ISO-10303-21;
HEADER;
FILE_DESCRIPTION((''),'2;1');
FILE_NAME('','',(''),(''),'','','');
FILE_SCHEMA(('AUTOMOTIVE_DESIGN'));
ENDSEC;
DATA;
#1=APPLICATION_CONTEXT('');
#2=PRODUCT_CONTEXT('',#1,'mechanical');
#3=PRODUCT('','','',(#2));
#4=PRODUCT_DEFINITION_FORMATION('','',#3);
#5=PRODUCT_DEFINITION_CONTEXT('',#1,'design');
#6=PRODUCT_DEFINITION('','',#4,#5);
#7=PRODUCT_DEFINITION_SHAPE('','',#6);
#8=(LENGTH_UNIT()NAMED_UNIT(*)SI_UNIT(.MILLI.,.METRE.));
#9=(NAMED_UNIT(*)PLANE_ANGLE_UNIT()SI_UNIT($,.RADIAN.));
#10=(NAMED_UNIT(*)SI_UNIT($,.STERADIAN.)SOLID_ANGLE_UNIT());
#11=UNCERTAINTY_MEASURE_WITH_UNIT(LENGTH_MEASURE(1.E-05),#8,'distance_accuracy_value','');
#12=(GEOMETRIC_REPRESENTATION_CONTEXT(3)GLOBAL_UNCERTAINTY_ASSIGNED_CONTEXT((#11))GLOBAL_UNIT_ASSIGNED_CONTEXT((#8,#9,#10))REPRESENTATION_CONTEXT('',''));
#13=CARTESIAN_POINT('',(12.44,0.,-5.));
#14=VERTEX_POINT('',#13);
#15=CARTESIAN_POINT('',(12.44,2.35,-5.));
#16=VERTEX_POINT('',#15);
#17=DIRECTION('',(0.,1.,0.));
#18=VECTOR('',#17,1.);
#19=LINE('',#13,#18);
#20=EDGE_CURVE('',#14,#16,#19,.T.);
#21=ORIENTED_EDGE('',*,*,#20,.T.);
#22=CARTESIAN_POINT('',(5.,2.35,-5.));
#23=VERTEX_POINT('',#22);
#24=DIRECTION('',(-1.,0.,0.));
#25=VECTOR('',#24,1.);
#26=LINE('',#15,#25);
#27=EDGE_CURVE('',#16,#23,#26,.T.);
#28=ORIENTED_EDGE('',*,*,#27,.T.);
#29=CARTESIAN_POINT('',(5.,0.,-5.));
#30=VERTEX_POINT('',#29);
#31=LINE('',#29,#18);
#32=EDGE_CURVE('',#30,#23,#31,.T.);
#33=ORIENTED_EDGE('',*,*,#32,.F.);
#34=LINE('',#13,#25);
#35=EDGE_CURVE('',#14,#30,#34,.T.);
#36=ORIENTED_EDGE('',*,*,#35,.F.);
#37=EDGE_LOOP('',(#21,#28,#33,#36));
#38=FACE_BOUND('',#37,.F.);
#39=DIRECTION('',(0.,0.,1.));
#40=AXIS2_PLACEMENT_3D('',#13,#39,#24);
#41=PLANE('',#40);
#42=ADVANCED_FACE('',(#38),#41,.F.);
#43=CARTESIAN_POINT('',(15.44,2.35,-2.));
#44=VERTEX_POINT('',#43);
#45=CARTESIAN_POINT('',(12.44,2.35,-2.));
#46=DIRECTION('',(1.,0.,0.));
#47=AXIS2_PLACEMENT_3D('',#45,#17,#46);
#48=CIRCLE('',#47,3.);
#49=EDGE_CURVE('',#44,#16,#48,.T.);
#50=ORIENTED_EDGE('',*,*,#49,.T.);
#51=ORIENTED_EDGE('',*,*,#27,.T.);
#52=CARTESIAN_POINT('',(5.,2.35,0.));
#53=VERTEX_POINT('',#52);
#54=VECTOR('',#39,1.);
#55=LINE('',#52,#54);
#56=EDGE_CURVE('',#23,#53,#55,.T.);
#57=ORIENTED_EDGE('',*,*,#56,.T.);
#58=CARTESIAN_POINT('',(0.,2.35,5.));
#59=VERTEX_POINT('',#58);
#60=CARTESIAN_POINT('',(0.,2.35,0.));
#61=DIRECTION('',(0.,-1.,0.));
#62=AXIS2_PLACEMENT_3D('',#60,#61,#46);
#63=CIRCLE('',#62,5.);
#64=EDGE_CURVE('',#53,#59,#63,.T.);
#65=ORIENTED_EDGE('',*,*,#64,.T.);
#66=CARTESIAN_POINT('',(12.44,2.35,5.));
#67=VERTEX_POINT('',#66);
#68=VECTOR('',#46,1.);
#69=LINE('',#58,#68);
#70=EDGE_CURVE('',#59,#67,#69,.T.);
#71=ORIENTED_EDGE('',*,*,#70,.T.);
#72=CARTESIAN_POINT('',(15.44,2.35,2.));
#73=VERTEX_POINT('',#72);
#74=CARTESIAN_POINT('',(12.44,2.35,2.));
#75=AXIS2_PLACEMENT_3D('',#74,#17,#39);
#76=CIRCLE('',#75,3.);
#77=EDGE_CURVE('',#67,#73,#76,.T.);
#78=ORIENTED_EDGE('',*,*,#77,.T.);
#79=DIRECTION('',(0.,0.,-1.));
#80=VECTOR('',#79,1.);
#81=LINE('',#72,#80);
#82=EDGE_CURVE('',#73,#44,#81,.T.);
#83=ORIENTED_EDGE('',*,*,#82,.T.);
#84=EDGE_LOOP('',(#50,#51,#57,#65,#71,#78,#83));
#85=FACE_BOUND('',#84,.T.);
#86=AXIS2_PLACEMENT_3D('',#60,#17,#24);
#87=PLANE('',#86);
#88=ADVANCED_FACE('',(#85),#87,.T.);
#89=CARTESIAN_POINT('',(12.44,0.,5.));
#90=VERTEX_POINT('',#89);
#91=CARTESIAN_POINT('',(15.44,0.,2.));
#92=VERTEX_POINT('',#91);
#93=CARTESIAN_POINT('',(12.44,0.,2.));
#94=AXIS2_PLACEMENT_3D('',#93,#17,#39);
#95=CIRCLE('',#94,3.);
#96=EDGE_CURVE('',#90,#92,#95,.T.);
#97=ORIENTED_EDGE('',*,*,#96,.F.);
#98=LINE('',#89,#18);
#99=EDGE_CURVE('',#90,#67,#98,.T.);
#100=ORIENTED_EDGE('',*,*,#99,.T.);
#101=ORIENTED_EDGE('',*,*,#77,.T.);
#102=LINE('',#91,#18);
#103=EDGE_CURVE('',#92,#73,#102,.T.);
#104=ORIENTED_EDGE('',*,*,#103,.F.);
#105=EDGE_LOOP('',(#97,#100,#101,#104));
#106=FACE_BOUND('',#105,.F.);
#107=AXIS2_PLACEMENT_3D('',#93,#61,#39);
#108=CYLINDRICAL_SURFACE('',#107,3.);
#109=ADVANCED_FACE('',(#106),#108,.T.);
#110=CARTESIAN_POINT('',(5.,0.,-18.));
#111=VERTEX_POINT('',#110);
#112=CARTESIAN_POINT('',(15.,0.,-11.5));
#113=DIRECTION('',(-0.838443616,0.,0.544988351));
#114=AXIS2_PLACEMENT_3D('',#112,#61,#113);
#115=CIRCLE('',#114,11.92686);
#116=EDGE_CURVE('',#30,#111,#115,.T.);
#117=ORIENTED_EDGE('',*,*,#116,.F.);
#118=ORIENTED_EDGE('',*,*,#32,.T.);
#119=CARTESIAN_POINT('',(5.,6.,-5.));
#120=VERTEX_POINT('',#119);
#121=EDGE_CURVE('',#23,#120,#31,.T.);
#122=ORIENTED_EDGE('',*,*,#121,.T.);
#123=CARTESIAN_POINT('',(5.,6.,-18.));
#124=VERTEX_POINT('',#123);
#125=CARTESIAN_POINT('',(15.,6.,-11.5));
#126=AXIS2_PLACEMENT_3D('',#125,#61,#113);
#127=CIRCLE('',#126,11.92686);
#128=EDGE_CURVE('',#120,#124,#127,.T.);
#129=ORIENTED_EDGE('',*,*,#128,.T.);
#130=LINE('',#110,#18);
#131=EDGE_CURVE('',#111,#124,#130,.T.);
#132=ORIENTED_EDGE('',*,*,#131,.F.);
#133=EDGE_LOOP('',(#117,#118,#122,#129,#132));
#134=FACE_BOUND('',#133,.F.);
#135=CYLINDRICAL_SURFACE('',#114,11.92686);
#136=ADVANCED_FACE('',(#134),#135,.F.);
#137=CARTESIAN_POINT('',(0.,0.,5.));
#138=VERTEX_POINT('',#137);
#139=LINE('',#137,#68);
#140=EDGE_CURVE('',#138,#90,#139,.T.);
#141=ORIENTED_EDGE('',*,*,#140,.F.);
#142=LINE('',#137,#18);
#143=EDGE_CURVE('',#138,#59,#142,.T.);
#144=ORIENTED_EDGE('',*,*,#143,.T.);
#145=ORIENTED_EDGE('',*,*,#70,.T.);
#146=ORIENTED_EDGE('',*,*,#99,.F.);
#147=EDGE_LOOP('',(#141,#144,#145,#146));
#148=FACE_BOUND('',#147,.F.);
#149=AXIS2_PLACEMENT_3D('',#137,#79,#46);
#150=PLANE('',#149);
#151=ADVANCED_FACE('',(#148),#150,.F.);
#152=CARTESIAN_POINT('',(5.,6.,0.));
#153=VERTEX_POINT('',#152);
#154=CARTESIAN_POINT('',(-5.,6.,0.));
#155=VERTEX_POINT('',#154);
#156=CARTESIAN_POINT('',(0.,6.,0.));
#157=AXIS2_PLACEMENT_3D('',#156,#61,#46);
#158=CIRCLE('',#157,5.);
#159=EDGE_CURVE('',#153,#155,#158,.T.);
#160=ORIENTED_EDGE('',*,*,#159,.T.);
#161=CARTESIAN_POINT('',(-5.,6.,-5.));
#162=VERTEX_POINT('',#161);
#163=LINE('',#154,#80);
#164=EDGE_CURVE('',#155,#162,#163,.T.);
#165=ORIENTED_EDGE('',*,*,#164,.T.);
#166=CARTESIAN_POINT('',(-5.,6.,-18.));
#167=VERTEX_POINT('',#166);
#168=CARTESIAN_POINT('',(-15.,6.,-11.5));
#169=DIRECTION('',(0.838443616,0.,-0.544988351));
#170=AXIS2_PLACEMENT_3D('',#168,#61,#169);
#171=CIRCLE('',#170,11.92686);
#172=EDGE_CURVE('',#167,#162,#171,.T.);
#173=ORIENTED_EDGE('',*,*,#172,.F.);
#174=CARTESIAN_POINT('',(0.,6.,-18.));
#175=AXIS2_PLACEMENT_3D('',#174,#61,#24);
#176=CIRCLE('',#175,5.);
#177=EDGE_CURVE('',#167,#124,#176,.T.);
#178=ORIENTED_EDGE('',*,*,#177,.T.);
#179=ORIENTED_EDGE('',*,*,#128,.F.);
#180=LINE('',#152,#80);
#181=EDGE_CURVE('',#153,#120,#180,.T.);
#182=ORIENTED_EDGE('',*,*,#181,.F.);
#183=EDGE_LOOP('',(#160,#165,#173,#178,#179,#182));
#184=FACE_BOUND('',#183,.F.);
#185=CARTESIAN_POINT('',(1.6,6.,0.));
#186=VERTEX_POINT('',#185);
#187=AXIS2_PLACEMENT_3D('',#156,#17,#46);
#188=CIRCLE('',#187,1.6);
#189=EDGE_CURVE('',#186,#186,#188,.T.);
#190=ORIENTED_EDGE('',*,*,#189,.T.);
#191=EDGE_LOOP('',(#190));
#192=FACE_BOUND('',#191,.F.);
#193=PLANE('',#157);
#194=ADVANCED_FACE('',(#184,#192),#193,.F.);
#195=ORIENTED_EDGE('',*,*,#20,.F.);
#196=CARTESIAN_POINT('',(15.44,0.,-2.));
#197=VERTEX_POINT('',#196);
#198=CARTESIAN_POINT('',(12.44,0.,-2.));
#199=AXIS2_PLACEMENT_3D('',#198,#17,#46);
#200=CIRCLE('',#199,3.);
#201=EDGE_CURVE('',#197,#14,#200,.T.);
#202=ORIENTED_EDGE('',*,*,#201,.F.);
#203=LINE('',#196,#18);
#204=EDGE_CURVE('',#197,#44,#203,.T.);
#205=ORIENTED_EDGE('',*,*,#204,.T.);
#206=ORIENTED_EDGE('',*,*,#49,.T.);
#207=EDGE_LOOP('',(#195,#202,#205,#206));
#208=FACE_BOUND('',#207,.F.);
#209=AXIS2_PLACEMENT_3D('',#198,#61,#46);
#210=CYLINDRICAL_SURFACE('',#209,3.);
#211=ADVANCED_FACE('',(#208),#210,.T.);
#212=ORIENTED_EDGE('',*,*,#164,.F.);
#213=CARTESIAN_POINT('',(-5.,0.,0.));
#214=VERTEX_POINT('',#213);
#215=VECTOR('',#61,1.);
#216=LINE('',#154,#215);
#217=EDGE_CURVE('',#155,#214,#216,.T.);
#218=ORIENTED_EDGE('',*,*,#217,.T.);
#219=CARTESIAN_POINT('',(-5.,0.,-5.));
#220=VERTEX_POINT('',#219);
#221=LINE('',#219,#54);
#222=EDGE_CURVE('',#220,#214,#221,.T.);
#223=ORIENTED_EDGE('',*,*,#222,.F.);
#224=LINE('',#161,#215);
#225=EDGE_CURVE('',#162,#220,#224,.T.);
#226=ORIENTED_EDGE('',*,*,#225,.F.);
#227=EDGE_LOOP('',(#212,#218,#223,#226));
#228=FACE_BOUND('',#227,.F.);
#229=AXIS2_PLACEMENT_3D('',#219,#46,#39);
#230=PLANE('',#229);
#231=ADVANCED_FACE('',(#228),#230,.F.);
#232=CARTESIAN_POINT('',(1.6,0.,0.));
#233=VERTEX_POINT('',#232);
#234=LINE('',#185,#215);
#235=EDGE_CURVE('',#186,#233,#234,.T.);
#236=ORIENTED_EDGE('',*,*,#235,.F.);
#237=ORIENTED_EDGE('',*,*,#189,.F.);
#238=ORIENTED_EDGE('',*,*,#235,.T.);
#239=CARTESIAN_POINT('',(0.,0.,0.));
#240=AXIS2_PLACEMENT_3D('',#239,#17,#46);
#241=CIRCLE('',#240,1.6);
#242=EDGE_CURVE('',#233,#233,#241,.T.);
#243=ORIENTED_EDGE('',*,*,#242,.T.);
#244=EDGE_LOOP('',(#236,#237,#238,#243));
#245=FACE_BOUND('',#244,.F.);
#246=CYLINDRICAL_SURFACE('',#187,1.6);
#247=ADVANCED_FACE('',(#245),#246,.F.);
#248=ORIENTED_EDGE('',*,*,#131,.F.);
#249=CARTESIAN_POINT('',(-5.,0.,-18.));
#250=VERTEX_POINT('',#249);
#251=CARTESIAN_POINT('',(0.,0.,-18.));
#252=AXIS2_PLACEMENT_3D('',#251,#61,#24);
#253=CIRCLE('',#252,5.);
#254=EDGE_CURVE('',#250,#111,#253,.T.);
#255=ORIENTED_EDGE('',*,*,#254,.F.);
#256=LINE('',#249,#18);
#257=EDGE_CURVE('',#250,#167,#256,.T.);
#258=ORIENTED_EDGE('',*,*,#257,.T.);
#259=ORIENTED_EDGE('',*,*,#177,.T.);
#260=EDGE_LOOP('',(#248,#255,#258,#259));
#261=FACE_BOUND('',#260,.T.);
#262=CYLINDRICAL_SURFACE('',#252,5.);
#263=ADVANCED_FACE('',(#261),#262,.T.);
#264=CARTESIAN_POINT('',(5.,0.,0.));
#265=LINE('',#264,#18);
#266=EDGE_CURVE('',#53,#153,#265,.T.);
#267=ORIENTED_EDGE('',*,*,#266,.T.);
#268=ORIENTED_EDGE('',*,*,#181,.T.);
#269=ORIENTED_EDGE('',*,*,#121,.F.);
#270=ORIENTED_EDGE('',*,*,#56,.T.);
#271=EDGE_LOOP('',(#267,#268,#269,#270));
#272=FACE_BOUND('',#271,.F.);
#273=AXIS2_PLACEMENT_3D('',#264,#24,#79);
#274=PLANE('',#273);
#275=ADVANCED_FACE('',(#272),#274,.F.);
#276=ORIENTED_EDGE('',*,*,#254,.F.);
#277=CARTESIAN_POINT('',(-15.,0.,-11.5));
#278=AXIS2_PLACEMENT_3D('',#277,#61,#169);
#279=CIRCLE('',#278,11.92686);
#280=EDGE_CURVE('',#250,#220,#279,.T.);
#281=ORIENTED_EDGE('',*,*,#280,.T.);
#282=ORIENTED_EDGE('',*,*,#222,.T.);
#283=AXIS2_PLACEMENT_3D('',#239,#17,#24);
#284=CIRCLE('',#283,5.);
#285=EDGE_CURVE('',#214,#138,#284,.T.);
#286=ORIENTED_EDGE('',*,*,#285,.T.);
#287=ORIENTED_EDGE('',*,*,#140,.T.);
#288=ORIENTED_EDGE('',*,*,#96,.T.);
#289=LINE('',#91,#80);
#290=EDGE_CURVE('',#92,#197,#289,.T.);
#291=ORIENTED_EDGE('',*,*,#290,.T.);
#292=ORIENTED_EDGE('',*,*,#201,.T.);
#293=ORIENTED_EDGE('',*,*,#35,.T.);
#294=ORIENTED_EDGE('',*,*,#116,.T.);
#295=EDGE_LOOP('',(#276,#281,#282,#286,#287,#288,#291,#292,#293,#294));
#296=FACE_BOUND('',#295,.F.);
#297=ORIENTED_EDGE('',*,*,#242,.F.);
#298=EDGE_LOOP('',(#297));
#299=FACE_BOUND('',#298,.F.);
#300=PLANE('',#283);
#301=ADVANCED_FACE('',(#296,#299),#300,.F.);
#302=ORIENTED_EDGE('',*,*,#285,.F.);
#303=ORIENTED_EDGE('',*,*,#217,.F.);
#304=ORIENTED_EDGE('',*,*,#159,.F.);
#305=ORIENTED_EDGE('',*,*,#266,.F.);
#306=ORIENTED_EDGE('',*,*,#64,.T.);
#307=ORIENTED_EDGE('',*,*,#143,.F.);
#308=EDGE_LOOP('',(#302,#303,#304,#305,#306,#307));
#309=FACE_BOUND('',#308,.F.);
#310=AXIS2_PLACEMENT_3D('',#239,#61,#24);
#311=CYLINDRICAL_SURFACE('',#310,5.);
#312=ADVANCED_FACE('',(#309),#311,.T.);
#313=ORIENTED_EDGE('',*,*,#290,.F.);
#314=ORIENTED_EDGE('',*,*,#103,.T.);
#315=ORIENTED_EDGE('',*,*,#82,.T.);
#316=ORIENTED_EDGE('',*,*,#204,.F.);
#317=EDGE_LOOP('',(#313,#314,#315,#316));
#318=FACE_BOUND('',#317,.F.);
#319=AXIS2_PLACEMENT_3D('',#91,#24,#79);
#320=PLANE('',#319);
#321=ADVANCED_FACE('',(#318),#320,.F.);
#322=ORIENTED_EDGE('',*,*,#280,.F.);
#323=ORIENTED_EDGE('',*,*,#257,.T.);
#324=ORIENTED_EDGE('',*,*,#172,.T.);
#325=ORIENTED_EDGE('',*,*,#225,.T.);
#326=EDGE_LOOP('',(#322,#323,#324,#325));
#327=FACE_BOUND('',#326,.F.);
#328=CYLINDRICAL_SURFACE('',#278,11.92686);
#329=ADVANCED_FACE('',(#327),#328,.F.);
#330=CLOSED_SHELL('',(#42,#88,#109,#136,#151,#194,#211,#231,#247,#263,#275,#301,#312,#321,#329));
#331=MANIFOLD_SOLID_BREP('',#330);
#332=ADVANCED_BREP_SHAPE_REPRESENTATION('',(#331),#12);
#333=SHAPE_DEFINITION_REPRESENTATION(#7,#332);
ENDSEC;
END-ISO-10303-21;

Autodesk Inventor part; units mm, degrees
ref_plane "YZ Plane" through (0, 0, 0) normal (1, 0, 0) x (0, 1, 0)
ref_plane "XZ Plane" through (0, 0, 0) normal (0, 1, 0) x (-1, 0, 0)
ref_plane "XY Plane" through (0, 0, 0) normal (0, 0, 1) x (1, 0, 0)
sketch "Sketch1" plane through (0, 0, 0) normal (0, 1, 0) x (-1, 0, 0)
  line L0 (0, 5) -> (-12.44, 5)
  line L1 (-15.44, 2) -> (-15.44, -2)
  line L2 (-12.44, -5) -> (5, -5)
  line L3 (5, -5) -> (5, 0)
  arc A0 (-12.44, 5) -> (-15.44, 2) centre (-12.44, 2) ccw
  arc A1 (-15.44, -2) -> (-12.44, -5) centre (-12.44, -2) ccw
  arc A2 (5, 0) -> (0, 5) centre (0, 0) ccw
  point P0 (-15.44, -5)
  point P1 (-15.44, 5)
  dimension "d0" = 20.44
  dimension "d1" = 10
  dimension "d2" = 3
  dimension "d3" = 5
extrude "Extrusion1" add sketch "Sketch1" along normal blind 2.35
sketch "Sketch3" plane through (0, 0, 0) normal (0, -1, 0) x (1, 0, 0)
  arc A0 (5, 0) -> (-5, 0) centre (0, 0) ccw
  arc A1 (-5, -18) -> (5, -18) centre (0, -18) ccw
  line L0 (-5, 0) -> (-5, -5)
  line L1 (5, 0) -> (5, -5)
  arc A2 (-5, -18) -> (-5, -5) centre (-15, -11.5) ccw
  arc A3 (5, -5) -> (5, -18) centre (15, -11.5) ccw
  dimension "d6" = 5
  dimension "d7" = 18
  dimension "d8" = 5
  dimension "d9" = 5
  dimension "d11" = 15
  dimension "d12" = 15
extrude "Extrusion2" add sketch "Sketch3" against normal blind 6
sketch "Sketch4" plane through (0, 6, 0) normal (0, 1, 0) x (1, 0, 0)
  circle A0 centre (0, 0) radius 1.6
  dimension "d16" = 3.2
extrude "Extrusion3" cut sketch "Sketch4" against normal up to next
properties part number "glass clip" material "ABS Plastic"
